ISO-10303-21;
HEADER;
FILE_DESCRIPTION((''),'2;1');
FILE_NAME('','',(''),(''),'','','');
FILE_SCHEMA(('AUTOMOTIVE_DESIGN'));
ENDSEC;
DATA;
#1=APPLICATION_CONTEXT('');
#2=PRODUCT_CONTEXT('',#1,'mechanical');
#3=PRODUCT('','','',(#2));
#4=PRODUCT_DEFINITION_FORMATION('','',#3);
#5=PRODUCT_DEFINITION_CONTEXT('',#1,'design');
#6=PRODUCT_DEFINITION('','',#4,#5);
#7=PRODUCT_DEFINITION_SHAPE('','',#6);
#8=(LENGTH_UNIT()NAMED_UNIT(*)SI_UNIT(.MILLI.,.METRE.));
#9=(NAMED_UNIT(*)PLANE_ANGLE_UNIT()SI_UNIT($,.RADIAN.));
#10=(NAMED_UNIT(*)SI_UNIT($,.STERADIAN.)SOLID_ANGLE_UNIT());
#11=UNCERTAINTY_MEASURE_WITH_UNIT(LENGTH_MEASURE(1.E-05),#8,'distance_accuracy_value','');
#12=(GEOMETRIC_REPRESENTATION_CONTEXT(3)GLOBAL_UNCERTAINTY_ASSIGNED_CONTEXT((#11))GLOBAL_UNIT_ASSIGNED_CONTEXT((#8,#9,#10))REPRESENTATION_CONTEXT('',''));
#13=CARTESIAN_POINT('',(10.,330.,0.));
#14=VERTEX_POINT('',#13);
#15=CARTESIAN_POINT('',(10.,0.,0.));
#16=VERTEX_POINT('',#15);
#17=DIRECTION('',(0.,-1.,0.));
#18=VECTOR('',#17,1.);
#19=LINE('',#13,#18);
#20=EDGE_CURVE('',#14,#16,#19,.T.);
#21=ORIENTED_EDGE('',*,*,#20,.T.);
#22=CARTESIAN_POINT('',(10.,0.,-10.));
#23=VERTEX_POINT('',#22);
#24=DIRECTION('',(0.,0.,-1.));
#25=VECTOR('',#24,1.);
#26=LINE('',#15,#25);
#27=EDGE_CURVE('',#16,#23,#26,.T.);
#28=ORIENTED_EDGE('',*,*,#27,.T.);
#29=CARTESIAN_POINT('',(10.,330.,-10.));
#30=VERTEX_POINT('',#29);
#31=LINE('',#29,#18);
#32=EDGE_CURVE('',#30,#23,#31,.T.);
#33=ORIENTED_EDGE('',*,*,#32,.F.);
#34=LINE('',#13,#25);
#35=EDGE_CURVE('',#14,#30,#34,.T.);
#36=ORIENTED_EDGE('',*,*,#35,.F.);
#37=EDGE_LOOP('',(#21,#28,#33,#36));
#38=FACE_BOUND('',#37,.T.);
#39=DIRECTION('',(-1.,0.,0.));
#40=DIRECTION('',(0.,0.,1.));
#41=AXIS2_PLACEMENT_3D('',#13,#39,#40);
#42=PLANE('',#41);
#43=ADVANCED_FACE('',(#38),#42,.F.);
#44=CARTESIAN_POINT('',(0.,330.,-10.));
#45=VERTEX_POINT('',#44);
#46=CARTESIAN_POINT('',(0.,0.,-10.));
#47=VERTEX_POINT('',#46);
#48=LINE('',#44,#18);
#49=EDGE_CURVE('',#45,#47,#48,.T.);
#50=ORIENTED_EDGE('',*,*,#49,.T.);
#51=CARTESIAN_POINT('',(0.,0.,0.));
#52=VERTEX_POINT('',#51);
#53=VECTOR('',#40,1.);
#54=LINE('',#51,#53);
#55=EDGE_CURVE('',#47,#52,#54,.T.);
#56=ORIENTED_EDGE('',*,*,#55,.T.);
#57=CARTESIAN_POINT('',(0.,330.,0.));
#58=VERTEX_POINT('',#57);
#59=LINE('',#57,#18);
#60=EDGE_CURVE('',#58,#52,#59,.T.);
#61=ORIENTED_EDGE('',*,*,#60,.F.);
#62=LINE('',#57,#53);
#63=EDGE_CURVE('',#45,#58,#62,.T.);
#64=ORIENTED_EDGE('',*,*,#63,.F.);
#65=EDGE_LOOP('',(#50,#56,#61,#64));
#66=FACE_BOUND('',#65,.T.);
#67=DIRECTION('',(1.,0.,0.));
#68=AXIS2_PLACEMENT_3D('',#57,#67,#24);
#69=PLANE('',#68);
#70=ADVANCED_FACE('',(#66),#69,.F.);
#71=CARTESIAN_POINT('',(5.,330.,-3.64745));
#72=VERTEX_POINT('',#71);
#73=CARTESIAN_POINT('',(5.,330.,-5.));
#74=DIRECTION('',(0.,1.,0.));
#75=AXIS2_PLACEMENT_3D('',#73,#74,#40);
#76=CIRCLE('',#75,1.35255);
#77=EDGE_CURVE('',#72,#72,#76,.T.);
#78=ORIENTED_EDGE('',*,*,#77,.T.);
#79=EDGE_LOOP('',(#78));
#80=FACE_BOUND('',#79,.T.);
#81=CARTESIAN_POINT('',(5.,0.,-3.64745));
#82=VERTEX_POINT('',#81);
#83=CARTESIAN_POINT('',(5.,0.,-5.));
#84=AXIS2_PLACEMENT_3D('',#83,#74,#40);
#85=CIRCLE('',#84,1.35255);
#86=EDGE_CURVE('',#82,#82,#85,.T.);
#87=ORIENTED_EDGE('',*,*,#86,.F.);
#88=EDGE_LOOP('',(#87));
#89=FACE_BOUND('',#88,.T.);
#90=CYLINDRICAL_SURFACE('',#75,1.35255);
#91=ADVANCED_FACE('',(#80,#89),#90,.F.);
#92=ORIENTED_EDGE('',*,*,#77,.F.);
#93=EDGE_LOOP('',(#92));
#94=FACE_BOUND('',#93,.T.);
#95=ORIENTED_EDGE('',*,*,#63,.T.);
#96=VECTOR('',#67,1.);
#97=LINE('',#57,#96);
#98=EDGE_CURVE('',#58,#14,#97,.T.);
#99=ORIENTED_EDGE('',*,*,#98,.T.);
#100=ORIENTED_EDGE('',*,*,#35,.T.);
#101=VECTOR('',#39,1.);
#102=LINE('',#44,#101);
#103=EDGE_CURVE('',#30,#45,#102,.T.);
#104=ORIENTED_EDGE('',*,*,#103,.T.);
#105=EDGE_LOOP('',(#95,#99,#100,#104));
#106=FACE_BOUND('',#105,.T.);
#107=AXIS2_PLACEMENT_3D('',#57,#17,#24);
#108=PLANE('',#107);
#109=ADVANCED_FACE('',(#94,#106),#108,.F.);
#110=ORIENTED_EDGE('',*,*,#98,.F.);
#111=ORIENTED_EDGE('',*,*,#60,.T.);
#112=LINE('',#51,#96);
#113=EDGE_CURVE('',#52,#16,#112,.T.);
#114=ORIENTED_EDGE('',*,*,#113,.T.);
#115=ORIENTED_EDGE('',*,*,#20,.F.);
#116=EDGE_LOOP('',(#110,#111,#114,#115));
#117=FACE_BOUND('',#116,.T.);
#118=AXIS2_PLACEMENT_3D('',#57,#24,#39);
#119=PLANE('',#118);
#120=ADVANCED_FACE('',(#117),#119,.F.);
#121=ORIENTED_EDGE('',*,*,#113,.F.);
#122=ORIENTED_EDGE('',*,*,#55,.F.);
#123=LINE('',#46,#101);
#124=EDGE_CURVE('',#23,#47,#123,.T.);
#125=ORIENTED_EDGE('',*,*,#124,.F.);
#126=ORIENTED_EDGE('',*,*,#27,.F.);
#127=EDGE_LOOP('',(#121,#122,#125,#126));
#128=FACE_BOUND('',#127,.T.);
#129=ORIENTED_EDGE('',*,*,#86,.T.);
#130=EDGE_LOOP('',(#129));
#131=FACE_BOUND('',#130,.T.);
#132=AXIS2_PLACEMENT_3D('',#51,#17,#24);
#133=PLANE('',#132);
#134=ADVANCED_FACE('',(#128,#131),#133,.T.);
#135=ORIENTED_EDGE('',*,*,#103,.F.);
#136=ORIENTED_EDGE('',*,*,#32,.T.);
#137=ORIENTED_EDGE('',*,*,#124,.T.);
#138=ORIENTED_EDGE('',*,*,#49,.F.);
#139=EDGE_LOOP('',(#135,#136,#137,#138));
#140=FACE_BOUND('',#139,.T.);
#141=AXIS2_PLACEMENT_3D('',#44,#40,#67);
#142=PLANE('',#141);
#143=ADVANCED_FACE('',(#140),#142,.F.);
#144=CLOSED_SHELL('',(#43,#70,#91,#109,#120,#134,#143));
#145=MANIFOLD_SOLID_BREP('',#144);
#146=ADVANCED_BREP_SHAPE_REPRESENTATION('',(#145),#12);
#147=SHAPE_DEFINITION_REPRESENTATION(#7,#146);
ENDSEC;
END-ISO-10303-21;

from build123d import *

# Parameters (mm, degrees)
SKETCH1_W             = 10
SKETCH1_H             = 10
BOSS_EXTRUDE1_DEPTH   = 330
F_6_32_TAPPED_HOLE1_D = 2.7051


with BuildPart() as part:
    # Sketch1 → Boss-Extrude1 (new body)
    with BuildSketch(Plane(origin=(0, 0, 0), x_dir=(1, 0, 0), z_dir=(0, 1, 0))):
        with Locations((5, 5)):
            Rectangle(SKETCH1_W, SKETCH1_H)
    extrude(amount=BOSS_EXTRUDE1_DEPTH)

    # #6-32 Tapped Hole1 (through all)
    with Locations(Plane(origin=(0, 330, 0), x_dir=(1, 0, 0), z_dir=(0, 1, 0))):
        with Locations((5, 5)):
            Hole(F_6_32_TAPPED_HOLE1_D / 2)


solid = part.part
